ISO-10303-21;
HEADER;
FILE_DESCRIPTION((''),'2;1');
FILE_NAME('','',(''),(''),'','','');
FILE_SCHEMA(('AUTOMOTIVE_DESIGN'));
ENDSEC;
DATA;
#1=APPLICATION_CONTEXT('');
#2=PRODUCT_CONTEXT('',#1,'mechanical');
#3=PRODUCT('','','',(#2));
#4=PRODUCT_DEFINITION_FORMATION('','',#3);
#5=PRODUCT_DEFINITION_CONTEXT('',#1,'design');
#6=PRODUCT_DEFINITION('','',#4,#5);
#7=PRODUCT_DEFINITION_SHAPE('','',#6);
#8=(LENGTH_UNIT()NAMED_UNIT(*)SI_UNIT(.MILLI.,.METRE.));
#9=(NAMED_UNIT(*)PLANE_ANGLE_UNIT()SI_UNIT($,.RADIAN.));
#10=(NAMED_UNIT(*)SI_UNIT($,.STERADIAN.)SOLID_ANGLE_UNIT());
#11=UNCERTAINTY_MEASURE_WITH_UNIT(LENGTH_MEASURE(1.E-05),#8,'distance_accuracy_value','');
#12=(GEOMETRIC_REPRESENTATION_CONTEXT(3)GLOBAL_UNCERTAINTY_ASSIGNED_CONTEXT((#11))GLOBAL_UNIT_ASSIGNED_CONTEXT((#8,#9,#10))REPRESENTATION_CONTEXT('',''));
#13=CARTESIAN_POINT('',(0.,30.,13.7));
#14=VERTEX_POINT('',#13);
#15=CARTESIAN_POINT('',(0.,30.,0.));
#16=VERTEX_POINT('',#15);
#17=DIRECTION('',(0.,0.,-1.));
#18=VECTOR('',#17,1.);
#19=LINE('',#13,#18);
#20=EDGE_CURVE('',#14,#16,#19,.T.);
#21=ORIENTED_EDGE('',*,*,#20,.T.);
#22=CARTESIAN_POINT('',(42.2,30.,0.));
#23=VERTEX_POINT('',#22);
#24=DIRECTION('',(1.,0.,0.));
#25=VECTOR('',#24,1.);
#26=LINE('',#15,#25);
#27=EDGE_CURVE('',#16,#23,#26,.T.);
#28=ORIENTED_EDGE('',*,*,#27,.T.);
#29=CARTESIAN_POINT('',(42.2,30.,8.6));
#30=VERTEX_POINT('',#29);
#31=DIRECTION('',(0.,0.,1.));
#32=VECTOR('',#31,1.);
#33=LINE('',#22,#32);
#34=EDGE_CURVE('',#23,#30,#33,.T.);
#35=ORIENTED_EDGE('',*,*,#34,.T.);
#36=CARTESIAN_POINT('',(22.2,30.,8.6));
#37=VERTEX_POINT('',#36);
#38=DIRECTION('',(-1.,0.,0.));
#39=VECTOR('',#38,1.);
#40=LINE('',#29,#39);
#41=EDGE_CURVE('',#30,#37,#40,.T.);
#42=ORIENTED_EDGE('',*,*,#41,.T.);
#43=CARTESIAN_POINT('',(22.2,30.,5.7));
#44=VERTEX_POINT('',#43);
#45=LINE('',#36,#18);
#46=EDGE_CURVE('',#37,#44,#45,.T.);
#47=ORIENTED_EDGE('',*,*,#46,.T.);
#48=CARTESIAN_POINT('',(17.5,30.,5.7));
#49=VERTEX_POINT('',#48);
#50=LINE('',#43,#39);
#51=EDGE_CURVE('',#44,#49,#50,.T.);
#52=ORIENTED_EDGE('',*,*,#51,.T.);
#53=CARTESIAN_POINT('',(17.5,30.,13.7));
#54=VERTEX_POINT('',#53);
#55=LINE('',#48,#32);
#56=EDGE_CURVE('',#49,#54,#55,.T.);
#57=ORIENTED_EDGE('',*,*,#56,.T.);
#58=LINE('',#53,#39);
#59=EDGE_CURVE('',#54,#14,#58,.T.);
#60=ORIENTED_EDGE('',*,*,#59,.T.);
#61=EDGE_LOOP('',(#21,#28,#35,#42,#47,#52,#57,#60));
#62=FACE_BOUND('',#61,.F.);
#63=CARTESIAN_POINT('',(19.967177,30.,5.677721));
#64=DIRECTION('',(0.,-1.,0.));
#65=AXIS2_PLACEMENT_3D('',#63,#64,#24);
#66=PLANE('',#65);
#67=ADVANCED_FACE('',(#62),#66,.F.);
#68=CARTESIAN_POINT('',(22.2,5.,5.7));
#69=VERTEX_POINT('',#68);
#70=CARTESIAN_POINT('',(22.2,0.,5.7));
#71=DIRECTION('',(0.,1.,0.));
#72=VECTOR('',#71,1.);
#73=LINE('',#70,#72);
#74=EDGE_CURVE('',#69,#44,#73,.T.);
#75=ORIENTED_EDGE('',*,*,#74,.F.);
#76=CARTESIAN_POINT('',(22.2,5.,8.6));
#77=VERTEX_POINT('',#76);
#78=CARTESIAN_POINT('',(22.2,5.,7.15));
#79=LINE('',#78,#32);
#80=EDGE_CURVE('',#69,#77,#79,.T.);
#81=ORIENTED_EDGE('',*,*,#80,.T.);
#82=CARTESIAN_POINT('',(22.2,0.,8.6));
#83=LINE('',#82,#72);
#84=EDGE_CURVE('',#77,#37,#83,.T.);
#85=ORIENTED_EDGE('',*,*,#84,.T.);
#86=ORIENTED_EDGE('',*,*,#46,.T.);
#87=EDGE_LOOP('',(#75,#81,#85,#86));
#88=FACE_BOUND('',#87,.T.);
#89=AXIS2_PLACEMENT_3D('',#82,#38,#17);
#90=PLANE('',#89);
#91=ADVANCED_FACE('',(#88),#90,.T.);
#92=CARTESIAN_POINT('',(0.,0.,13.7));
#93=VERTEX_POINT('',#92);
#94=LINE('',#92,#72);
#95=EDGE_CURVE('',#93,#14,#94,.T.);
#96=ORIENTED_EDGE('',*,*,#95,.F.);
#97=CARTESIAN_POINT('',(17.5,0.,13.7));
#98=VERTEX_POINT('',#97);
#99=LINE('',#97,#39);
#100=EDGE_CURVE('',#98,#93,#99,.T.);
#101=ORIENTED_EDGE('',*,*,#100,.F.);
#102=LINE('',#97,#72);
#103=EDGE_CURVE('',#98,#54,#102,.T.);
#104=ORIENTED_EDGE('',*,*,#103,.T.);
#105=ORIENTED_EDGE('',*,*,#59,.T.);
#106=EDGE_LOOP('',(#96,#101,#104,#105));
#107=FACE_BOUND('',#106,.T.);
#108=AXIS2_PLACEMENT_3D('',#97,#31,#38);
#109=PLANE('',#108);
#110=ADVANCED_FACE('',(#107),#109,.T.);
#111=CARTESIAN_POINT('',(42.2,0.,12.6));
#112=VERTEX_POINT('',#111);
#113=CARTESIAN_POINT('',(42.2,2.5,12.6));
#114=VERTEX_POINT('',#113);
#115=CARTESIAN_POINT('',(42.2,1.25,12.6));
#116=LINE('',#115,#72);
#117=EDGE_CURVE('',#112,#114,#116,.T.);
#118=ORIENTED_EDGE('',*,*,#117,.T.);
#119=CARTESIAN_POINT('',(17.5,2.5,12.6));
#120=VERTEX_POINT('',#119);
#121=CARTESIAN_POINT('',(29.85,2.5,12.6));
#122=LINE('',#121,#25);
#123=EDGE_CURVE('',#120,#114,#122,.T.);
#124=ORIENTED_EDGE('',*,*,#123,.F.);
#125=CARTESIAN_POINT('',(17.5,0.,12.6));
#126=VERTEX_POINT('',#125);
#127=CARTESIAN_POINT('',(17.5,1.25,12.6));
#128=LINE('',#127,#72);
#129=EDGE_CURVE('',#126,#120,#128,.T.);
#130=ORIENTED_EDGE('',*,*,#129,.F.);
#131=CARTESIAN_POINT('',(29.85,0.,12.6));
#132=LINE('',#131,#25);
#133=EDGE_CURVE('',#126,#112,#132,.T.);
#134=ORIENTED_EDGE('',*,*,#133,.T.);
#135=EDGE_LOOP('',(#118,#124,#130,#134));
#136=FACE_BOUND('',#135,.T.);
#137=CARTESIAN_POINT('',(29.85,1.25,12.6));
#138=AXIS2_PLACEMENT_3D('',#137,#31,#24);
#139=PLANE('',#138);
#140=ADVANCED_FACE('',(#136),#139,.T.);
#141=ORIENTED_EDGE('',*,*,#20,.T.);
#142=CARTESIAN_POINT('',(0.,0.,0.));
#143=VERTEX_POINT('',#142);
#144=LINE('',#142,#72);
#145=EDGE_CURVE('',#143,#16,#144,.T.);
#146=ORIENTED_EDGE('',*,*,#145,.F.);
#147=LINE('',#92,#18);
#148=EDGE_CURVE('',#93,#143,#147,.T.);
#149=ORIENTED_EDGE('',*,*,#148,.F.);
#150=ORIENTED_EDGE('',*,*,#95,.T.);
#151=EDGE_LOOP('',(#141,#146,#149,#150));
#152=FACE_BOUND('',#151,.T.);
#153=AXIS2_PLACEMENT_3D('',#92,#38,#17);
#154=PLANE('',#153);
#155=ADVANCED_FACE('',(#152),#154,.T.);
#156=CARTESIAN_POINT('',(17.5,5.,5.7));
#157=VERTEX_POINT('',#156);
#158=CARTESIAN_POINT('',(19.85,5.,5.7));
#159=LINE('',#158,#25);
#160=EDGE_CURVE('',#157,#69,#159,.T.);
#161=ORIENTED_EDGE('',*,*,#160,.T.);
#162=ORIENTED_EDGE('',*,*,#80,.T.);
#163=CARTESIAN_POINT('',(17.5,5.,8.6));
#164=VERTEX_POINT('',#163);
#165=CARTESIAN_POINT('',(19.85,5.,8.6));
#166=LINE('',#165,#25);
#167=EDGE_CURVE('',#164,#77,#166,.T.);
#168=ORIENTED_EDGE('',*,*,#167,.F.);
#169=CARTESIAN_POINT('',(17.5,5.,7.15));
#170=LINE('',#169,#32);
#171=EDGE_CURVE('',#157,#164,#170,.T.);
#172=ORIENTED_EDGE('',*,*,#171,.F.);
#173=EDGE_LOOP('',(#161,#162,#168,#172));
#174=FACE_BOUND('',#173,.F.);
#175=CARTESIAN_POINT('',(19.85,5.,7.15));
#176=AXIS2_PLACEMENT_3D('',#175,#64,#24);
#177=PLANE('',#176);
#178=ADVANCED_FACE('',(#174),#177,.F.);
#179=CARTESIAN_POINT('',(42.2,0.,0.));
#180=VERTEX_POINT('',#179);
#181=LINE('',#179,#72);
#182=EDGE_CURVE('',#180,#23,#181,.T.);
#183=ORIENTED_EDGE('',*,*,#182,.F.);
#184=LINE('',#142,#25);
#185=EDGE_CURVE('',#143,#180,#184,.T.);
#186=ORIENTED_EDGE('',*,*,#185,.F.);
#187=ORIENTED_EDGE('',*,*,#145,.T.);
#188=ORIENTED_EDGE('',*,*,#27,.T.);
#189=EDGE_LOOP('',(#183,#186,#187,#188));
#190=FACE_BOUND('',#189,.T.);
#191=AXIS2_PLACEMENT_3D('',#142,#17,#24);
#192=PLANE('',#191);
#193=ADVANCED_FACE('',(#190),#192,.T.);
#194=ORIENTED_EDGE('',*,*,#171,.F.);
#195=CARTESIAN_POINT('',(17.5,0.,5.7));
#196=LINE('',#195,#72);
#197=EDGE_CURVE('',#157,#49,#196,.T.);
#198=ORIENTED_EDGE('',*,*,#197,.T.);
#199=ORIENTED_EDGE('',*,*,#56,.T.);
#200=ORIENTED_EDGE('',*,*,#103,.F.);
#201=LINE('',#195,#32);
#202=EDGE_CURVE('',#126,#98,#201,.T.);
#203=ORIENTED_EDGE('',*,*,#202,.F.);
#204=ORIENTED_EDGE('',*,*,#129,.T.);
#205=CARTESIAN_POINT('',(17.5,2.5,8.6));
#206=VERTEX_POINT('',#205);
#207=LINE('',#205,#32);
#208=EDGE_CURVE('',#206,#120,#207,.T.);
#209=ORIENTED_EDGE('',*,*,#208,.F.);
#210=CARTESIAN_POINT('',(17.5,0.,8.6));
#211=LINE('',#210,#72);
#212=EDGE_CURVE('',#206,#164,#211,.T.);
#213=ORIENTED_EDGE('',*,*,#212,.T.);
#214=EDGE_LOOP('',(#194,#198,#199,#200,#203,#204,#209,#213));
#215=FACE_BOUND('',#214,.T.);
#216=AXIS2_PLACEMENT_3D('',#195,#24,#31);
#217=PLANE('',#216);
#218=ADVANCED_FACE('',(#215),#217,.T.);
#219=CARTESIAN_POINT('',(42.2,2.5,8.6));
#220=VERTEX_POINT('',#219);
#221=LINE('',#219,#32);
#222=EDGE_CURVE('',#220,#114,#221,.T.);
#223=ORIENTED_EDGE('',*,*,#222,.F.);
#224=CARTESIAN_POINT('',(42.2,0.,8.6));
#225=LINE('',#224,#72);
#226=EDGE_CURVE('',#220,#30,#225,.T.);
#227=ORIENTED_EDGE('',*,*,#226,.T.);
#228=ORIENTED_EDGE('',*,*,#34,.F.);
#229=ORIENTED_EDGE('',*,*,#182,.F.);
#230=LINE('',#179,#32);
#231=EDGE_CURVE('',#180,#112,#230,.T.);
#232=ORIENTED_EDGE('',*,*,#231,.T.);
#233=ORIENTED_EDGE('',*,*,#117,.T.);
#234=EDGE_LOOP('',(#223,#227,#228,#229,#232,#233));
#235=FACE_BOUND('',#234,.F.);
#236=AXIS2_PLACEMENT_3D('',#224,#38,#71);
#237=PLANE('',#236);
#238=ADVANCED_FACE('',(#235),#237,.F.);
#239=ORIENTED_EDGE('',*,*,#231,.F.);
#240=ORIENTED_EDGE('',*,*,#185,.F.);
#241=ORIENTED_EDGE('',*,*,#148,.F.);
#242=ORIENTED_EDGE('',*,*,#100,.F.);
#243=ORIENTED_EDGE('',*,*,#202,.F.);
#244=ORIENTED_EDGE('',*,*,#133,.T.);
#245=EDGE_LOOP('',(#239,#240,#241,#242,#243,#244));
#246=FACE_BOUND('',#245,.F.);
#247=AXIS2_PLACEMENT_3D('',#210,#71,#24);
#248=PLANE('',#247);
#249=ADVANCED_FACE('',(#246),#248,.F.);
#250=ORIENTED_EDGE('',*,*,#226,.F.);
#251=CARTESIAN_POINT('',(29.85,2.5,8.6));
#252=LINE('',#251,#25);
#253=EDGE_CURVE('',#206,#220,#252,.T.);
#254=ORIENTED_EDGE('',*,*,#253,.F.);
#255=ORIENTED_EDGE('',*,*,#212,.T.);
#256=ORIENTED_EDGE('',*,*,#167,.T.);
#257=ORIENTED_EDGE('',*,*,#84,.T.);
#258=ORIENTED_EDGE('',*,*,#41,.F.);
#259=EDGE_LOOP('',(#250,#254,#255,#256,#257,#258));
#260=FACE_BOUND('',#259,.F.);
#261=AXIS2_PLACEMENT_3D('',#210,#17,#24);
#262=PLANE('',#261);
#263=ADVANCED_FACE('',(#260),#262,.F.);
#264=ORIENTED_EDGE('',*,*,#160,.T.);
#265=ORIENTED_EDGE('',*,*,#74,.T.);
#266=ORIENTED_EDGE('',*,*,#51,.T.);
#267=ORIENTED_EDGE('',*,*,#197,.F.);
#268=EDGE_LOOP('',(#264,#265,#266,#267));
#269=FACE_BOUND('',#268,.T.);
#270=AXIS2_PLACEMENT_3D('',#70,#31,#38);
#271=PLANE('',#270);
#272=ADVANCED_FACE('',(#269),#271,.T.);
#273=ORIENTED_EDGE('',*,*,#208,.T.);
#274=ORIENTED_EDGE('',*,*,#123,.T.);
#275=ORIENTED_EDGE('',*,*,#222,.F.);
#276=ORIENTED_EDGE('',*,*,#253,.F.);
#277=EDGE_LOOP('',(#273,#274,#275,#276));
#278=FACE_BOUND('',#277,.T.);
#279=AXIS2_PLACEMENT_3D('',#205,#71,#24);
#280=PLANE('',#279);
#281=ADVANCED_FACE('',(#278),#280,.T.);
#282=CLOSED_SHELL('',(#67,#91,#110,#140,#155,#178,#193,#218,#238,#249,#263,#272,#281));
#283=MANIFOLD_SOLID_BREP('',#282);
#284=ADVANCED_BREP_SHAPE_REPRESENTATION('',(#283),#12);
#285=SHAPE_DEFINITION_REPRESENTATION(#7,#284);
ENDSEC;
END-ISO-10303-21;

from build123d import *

# Parameters (mm, degrees)
F1_DEPTH = 30
F0_W     = 4.7
F0_H     = 2.9
F2_DEPTH = 5
F3_W     = 24.7
F3_H     = 2.5
F4_DEPTH = 4


with BuildPart() as f1:
    # F0 (on Front) → F1 (new body)
    with BuildSketch(Plane.XZ):
        Polygon((0, 13.7), (0, 0), (42.2, 0), (42.2, 8.6), (22.2, 8.6), (22.2, 5.7), (17.5, 5.7), (17.5, 8.6), (17.5, 13.7), align=None)
    extrude(amount=-F1_DEPTH)

    # F0 (on Front) → F2 (join)
    with BuildSketch(Plane.XZ):
        with Locations((19.85, 7.15)):
            Rectangle(F0_W, F0_H)
    extrude(amount=-F2_DEPTH)

    # F3 (on face) → F4 (join)
    with BuildSketch(Plane.XY.offset(8.6)):
        with Locations((29.85, 1.25)):
            Rectangle(F3_W, F3_H)
    extrude(amount=F4_DEPTH)


solid = f1.part
